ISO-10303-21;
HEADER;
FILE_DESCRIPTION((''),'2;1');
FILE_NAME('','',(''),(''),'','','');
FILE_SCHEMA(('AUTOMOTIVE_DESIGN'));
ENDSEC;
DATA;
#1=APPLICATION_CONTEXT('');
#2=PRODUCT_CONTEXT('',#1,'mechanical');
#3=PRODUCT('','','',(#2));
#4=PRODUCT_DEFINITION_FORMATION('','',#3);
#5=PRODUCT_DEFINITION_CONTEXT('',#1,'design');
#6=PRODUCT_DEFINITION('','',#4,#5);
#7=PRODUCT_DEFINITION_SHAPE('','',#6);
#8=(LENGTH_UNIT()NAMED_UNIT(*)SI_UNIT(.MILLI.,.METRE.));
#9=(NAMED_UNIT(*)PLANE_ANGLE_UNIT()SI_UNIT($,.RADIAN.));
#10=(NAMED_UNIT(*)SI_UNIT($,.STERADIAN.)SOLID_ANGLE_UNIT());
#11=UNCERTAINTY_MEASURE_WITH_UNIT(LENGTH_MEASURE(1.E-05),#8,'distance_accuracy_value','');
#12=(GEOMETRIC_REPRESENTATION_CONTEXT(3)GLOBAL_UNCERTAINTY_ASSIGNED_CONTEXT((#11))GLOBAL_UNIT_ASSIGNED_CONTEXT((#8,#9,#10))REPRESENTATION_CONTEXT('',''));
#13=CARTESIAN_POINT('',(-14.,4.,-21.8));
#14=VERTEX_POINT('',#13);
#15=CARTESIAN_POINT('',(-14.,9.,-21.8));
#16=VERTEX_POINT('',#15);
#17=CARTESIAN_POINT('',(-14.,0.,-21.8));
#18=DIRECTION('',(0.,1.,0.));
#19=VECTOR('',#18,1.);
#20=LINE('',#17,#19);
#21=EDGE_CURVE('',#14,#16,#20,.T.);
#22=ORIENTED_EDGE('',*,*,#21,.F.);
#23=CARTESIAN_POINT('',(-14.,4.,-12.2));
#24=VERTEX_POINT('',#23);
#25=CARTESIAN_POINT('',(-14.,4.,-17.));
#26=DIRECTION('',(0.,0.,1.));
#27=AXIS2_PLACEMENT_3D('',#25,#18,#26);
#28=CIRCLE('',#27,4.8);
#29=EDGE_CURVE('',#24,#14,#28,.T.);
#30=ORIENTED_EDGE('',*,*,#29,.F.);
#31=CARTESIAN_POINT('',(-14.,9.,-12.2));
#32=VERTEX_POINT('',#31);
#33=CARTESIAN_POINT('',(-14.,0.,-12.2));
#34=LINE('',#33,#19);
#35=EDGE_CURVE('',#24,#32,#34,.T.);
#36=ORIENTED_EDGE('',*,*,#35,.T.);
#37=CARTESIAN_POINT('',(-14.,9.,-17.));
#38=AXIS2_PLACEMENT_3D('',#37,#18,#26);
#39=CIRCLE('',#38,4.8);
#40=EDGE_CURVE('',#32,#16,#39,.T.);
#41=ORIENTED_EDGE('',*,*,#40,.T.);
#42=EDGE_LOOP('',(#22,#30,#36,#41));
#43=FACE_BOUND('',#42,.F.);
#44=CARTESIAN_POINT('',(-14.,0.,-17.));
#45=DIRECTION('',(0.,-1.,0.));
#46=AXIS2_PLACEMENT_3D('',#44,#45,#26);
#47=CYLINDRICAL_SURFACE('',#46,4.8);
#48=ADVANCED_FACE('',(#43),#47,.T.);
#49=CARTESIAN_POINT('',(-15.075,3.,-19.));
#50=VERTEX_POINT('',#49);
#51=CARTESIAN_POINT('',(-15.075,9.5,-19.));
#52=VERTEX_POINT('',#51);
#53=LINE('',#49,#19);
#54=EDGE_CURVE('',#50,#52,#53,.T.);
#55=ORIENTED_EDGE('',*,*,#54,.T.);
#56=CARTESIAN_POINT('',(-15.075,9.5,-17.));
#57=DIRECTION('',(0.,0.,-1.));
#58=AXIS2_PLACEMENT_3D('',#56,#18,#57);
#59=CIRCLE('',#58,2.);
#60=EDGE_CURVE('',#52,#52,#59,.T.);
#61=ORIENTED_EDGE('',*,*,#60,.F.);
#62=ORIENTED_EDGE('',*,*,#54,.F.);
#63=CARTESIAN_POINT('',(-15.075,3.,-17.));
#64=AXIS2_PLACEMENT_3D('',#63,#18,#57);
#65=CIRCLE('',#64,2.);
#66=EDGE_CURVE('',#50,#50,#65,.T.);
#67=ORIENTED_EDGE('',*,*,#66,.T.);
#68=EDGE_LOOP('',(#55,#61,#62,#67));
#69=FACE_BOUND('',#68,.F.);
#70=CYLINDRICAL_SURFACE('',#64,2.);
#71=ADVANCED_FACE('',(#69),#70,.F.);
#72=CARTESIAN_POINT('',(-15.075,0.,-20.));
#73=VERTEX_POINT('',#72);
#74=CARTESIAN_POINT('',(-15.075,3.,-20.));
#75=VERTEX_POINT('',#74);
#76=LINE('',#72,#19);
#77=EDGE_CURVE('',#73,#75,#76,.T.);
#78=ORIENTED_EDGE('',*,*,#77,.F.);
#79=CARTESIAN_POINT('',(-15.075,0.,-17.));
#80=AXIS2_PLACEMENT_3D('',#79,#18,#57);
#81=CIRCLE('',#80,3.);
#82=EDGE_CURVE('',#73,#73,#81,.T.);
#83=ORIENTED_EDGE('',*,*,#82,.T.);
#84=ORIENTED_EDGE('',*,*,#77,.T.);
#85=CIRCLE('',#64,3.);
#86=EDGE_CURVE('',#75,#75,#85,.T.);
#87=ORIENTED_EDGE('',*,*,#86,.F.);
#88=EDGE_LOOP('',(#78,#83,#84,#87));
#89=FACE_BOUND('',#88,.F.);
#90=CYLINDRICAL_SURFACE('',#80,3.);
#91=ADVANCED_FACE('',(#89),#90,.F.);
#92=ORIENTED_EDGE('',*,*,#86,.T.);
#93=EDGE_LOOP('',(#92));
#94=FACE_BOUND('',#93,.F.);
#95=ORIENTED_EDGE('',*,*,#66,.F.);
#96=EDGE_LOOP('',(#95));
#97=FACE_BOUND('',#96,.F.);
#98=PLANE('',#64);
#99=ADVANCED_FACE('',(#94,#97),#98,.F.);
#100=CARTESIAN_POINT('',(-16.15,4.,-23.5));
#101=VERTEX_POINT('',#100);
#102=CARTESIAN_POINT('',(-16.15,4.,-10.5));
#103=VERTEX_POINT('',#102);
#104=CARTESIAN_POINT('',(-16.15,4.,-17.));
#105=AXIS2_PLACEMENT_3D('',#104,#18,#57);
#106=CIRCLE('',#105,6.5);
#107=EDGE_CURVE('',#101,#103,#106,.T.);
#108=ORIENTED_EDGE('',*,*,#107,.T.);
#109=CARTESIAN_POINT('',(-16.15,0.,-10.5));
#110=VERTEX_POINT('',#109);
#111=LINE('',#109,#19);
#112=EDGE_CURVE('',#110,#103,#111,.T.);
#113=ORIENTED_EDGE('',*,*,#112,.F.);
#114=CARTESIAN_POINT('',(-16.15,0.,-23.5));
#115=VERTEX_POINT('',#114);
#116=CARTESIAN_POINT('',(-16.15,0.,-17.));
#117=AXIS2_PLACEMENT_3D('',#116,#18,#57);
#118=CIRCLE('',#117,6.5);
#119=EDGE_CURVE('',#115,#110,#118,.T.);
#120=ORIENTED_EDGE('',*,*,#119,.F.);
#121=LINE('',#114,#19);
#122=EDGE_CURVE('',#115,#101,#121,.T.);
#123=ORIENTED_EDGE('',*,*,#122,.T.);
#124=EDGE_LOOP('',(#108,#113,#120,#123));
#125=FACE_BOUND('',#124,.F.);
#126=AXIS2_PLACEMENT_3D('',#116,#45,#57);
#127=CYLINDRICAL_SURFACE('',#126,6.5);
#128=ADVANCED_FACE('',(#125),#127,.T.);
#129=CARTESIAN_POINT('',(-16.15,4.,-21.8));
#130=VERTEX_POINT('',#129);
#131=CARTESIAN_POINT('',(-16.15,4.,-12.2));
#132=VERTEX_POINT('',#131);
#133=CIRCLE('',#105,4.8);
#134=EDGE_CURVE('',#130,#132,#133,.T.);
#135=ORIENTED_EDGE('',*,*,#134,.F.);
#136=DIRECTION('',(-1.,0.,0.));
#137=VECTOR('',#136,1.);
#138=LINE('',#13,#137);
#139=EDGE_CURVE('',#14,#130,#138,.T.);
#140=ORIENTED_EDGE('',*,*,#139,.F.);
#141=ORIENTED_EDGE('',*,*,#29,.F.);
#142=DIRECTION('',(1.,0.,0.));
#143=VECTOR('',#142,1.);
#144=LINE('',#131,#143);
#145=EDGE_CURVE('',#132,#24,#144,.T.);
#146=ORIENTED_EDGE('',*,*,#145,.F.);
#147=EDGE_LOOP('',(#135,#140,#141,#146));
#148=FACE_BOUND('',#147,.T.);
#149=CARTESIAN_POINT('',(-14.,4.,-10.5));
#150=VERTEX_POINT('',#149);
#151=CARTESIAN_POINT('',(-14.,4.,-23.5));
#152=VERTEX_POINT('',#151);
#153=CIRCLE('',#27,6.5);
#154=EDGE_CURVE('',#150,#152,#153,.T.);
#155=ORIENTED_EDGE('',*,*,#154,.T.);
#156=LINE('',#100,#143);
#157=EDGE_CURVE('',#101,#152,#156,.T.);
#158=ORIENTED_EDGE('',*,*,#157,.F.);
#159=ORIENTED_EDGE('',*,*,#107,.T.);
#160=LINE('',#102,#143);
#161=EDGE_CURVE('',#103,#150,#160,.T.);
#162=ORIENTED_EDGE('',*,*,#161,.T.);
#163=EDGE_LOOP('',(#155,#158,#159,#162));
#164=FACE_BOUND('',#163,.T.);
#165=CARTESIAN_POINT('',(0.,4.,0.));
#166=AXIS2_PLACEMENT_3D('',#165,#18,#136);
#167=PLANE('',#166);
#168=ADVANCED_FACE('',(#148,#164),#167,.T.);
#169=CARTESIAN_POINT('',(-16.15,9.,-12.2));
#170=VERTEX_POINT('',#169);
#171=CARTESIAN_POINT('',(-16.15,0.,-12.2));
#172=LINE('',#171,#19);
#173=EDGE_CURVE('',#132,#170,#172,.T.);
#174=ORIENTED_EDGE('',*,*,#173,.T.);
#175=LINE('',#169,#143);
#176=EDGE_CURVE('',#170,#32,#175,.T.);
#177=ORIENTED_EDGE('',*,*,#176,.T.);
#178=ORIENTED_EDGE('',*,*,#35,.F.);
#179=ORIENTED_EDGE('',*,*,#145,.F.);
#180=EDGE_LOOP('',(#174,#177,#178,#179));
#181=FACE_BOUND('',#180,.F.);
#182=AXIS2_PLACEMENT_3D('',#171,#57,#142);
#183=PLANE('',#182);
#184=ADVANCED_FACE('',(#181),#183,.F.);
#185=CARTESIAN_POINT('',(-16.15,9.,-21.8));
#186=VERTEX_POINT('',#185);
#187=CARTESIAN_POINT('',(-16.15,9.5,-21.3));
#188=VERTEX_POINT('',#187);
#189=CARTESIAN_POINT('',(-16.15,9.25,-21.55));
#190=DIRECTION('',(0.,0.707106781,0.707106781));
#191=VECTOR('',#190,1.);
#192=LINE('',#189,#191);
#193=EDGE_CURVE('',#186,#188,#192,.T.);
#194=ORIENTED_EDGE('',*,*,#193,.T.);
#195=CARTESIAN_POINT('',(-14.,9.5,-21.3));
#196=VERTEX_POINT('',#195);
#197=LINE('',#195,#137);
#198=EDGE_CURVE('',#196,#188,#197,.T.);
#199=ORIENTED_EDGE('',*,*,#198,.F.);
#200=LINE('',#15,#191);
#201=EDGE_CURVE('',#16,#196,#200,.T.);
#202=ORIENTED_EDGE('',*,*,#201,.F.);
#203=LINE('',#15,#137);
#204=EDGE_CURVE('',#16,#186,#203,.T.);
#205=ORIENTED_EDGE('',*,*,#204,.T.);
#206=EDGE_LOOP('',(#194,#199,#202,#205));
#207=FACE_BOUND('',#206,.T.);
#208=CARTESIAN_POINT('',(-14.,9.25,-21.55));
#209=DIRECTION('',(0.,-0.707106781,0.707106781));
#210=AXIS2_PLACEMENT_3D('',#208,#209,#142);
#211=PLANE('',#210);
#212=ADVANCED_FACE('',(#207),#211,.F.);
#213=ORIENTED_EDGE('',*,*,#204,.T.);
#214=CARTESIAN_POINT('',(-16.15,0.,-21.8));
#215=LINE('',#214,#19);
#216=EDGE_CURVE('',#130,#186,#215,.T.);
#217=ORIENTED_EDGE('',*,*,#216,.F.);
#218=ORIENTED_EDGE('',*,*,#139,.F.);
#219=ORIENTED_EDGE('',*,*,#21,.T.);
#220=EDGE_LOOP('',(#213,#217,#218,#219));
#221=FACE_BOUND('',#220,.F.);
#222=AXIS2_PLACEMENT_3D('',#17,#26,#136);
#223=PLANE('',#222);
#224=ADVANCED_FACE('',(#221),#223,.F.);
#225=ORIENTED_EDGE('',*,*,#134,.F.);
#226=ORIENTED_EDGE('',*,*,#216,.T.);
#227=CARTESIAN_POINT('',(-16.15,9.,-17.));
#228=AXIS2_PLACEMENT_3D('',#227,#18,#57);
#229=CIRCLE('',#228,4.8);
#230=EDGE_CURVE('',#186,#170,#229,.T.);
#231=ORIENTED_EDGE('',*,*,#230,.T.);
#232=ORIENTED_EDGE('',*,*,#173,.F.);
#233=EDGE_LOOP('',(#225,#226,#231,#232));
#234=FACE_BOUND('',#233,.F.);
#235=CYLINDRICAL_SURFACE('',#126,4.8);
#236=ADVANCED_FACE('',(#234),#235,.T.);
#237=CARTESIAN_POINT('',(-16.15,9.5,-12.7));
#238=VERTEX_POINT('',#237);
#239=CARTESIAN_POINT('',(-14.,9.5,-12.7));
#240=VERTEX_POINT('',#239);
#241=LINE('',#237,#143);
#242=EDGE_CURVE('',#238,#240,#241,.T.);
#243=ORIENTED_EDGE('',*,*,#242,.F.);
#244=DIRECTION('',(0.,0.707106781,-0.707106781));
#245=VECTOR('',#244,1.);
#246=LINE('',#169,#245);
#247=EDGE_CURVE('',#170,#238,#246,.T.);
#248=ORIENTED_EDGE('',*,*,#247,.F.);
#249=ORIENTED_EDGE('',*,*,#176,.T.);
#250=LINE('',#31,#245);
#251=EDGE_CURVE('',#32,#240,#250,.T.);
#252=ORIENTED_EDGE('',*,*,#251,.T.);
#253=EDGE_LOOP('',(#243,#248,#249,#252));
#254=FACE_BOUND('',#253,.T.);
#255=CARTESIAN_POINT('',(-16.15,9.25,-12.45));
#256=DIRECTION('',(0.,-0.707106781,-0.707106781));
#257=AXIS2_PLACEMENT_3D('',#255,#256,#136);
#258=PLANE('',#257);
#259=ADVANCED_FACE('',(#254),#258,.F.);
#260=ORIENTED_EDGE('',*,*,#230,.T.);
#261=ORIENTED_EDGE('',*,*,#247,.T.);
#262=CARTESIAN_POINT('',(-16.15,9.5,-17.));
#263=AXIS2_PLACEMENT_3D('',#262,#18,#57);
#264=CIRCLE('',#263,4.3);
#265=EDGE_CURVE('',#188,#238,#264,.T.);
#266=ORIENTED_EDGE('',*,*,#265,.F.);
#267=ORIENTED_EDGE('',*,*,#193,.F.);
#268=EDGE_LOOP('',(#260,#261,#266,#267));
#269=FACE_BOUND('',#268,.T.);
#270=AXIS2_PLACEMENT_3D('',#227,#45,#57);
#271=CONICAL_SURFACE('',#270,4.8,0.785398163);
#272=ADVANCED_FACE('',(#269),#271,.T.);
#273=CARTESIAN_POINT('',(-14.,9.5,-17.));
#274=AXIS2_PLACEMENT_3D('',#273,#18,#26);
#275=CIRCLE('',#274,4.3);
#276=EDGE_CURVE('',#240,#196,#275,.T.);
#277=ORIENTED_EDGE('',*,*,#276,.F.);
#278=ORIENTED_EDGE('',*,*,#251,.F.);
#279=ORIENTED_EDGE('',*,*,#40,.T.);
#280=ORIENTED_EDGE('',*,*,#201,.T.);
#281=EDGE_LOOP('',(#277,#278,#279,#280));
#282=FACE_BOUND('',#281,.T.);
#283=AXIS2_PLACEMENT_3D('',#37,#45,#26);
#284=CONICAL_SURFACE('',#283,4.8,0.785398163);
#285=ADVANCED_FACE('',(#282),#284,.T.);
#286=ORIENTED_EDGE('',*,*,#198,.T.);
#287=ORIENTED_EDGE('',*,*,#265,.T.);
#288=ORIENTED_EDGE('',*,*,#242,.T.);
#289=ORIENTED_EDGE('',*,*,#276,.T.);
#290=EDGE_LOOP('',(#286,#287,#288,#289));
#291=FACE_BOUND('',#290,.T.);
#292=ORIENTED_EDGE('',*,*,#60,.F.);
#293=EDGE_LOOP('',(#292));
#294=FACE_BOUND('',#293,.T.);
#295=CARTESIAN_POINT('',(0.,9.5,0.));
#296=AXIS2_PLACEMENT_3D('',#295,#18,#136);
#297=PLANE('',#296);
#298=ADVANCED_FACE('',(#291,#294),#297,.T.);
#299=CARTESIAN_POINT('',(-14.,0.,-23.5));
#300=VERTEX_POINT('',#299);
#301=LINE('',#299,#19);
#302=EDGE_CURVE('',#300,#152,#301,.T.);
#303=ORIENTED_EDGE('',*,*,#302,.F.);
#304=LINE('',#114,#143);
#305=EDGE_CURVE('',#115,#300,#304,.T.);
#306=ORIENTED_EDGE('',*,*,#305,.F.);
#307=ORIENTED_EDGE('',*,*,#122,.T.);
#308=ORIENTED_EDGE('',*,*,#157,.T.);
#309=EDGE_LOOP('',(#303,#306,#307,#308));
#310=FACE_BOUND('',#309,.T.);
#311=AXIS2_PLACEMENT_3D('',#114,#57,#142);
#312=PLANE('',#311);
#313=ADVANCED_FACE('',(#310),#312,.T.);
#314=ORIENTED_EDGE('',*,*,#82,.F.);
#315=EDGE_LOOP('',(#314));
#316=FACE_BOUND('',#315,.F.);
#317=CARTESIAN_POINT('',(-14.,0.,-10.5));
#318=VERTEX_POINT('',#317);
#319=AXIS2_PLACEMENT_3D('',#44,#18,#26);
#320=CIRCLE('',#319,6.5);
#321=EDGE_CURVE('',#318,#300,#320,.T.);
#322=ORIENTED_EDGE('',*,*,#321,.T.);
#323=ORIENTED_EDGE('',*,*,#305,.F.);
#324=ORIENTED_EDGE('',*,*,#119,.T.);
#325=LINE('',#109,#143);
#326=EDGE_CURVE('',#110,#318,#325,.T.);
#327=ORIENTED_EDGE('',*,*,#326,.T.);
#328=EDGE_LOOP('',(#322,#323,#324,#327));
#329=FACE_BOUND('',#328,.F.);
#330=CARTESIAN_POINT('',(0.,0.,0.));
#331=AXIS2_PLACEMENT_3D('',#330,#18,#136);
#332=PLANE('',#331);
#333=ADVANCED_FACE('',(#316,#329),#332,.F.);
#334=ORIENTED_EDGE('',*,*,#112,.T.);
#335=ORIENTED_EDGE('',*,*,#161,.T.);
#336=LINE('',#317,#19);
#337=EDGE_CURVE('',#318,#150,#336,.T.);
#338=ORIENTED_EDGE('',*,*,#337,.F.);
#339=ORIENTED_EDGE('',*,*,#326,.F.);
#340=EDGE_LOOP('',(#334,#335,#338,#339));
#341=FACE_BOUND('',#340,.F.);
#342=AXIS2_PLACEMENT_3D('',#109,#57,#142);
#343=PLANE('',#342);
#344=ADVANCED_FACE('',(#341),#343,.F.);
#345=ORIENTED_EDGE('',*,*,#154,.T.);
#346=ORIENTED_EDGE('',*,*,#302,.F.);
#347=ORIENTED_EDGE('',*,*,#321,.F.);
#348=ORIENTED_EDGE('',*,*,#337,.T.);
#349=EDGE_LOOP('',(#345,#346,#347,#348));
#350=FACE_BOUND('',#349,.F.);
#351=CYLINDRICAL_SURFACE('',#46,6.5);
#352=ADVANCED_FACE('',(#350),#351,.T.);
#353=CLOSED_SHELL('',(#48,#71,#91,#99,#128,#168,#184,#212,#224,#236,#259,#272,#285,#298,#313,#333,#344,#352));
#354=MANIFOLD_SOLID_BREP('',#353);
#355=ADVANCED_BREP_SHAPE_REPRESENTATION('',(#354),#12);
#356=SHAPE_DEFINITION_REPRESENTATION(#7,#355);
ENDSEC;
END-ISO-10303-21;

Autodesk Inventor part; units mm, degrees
ref_plane "YZ Plane" through (0, 0, 0) normal (1, 0, 0) x (0, 1, 0)
ref_plane "XZ Plane" through (0, 0, 0) normal (0, 1, 0) x (-1, 0, 0)
ref_plane "XY Plane" through (0, 0, 0) normal (0, 0, 1) x (1, 0, 0)
sketch "Sketch1" plane through (0, 0, 0) normal (0, 1, 0) x (-1, 0, 0)
  line L0 (41.25, -2.25) -> (28.75, -2.25) construction
  line L1 (28.75, -2.25) -> (28.75, -14.75) construction
  line L2 (28.75, -14.75) -> (41.25, -14.75) construction
  line L3 (41.25, -14.75) -> (41.25, -2.25) construction
  line L4 (56.9183, -8.5) -> (8.3915, -8.5) construction
  line L5 (0, -17) -> (105, -17) construction
  line L6 (0, 0) -> (0, -51) construction
  line L7 (0, -34) -> (105, -34) construction
  line L8 (105, -51) -> (105, 0) construction
  line L9 (35, 19) -> (35, -51) construction
  line L10 (56.8064, -25.5) -> (17, -25.5) construction
  line L11 (28.75, -19.25) -> (28.75, -31.75) construction
  line L12 (41.25, -19.25) -> (28.75, -19.25) construction
  line L13 (41.25, -31.75) -> (41.25, -19.25) construction
  line L14 (28.75, -31.75) -> (41.25, -31.75) construction
  line L15 (28.75, -36.25) -> (28.75, -48.75) construction
  line L16 (41.25, -36.25) -> (28.75, -36.25) construction
  line L17 (41.25, -48.75) -> (41.25, -36.25) construction
  line L18 (28.75, -48.75) -> (41.25, -48.75) construction
  line L19 (56.3008, -42.5) -> (16.5498, -42.5) construction
  arc A0 (53.45, -12) -> (53.45, -22) centre (53.45, -17) ccw construction
  arc A1 (92, -22) -> (92, -12) centre (92, -17) ccw construction
  arc A2 (53.45, -29) -> (53.45, -39) centre (53.45, -34) ccw construction
  arc A3 (92, -39) -> (92, -29) centre (92, -34) ccw construction
  line L20 (53.45, -12) -> (92, -12) construction
  line L21 (53.45, -22) -> (92, -22) construction
  line L22 (53.45, -29) -> (92, -29) construction
  line L23 (53.45, -39) -> (92, -39) construction
  arc A4 (16.15, -38.8) -> (16.15, -29.2) centre (16.15, -34) ccw construction
  line L24 (103.5, -49.5) -> (103.5, -1.5) construction
  line L25 (1.5, -1.5) -> (1.5, -49.5) construction
  arc A5 (14, -29.2) -> (14, -38.8) centre (14, -34) ccw construction
  arc A6 (14, -12.2) -> (14, -21.8) centre (14, -17) ccw
  line L26 (16.15, -38.8) -> (14, -38.8) construction
  line L27 (14, -29.2) -> (16.15, -29.2) construction
  line L28 (14, -21.8) -> (16.15, -21.8)
  line L29 (16.15, -12.2) -> (14, -12.2)
  arc A7 (16.15, -21.8) -> (16.15, -12.2) centre (16.15, -17) ccw
  arc A8 (96.5, -51) -> (93, -47.5) centre (93, -51) ccw construction
  arc A9 (53.45, -47.5) -> (49.95, -51) centre (53.45, -51) ccw construction
  arc A10 (97.7697, -49.5) -> (93, -46) centre (93, -51) ccw construction
  line L30 (93, -46) -> (53.45, -46) construction
  line L31 (96.5, -51) -> (105, -51) construction
  line L32 (93, -47.5) -> (53.45, -47.5) construction
  line L33 (105, -49.5) -> (97.7697, -49.5) construction
  arc A11 (53.45, -46) -> (48.6803, -49.5) centre (53.45, -51) ccw construction
  arc A12 (48.6803, -1.5) -> (53.45, -5) centre (53.45, 0) ccw construction
  arc A13 (49.95, 0) -> (53.45, -3.5) centre (53.45, 0) ccw construction
  line L34 (93, -3.5) -> (53.45, -3.5) construction
  line L35 (93, -5) -> (53.45, -5) construction
  line L36 (97.7697, -1.5) -> (105, -1.5) construction
  line L37 (105, 0) -> (96.5, 0) construction
  arc A14 (93, -3.5) -> (96.5, 0) centre (93, 0) ccw construction
  arc A15 (93, -5) -> (97.7697, -1.5) centre (93, 0) ccw construction
  arc A16 (20.65, -51) -> (17.15, -47.5) centre (17.15, -51) ccw construction
  arc A17 (12, -47.5) -> (8.5, -51) centre (12, -51) ccw construction
  line L38 (17.15, -46) -> (12, -46) construction
  line L39 (17.15, -47.5) -> (12, -47.5) construction
  arc A18 (12, -46) -> (7.2303, -49.5) centre (12, -51) ccw construction
  arc A19 (21.9197, -49.5) -> (17.15, -46) centre (17.15, -51) ccw construction
  line L40 (48.6803, -49.5) -> (21.9197, -49.5) construction
  line L41 (7.2303, -49.5) -> (0, -49.5) construction
  line L42 (0, -51) -> (8.5, -51) construction
  line L43 (20.65, -51) -> (49.95, -51) construction
  line L44 (17.15, -5) -> (12, -5) construction
  line L45 (17.15, -3.5) -> (12, -3.5) construction
  arc A20 (8.5, 0) -> (12, -3.5) centre (12, 0) ccw construction
  arc A21 (17.15, -3.5) -> (20.65, 0) centre (17.15, 0) ccw construction
  arc A22 (7.2303, -1.5) -> (12, -5) centre (12, 0) ccw construction
  arc A23 (17.15, -5) -> (21.9197, -1.5) centre (17.15, 0) ccw construction
  line L46 (49.95, 0) -> (20.65, 0) construction
  line L47 (8.5, 0) -> (0, 0) construction
  line L48 (0, -1.5) -> (7.2303, -1.5) construction
  line L49 (21.9197, -1.5) -> (48.6803, -1.5) construction
  line L50 (113, 2) -> (-20, 2) construction
  line L51 (-20, 2) -> (-20, -53) construction
  line L52 (-20, -53) -> (113, -53) construction
  line L53 (113, -53) -> (113, 2) construction
  arc A24 (92, -23.5) -> (92, -10.5) centre (92, -17) ccw construction
  arc A25 (53.45, -10.5) -> (53.45, -23.5) centre (53.45, -17) ccw construction
  line L54 (92, -10.5) -> (53.45, -10.5) construction
  line L55 (53.45, -23.5) -> (92, -23.5) construction
  line L56 (15.075, -18.8909) -> (15.075, -15) construction
  arc A26 (16.15, -23.5) -> (16.15, -10.5) centre (16.15, -17) ccw
  arc A27 (14, -10.5) -> (14, -23.5) centre (14, -17) ccw
  line L57 (16.15, -23.5) -> (14, -23.5)
  line L58 (16.15, -10.5) -> (14, -10.5)
  point P0 (35, -8.5)
  point P1 (35, -42.5)
  point P2 (35, -25.5)
  point P3 (15.075, -17)
  dimension "d0" = 12.5
  dimension "d1" = 12.5
  dimension "d2" = 17
  dimension "d3" = 35
  dimension "d4" = 105
  dimension "d5" = 17
  dimension "d6" = 17
  dimension "d7" = 10
  dimension "d8" = 1.5
  dimension "d9" = 1.5
  dimension "d10" = 4.8
  dimension "d11" = 1.5
  dimension "d12" = 1.5
  dimension "d13" = 1.5
  dimension "d14" = 17
  dimension "d15" = 17
  dimension "d16" = 12
  dimension "d17" = 13
  dimension "d18" = 12.2
  dimension "d19" = 11.6
  dimension "d20" = 12.6
  dimension "d21" = 12
  dimension "d22" = 12.5
  dimension "d23" = 2
  dimension "d24" = 8
  dimension "d25" = 20
  dimension "d26" = 1.5
extrude "Extrusion3" add sketch "Sketch1" along normal blind 9.5 contours L29 A7 L28 A6
extrude "Extrusion4" add sketch "Sketch1" along normal blind 4
hole "Hole2" at (-35, 0, -8.5) at (0, 0, -17) at (-35, 0, -42.5) at (-35, 0, -25.5) at (-92, 0, -17) at (-53.45, 0, -17) at (-15.075, 0, -17) direction (0, 1, 0) diameter 4 end through all counterbore diameter 6 counterbore depth 3
chamfer "Chamfer2" distance 0.5 angle 45 4 edges at (-9.2, 9.5, -17) (-15.075, 9.5, -21.8) (-20.95, 9.5, -17) (-15.075, 9.5, -12.2)
properties part number "Small_retainer"
